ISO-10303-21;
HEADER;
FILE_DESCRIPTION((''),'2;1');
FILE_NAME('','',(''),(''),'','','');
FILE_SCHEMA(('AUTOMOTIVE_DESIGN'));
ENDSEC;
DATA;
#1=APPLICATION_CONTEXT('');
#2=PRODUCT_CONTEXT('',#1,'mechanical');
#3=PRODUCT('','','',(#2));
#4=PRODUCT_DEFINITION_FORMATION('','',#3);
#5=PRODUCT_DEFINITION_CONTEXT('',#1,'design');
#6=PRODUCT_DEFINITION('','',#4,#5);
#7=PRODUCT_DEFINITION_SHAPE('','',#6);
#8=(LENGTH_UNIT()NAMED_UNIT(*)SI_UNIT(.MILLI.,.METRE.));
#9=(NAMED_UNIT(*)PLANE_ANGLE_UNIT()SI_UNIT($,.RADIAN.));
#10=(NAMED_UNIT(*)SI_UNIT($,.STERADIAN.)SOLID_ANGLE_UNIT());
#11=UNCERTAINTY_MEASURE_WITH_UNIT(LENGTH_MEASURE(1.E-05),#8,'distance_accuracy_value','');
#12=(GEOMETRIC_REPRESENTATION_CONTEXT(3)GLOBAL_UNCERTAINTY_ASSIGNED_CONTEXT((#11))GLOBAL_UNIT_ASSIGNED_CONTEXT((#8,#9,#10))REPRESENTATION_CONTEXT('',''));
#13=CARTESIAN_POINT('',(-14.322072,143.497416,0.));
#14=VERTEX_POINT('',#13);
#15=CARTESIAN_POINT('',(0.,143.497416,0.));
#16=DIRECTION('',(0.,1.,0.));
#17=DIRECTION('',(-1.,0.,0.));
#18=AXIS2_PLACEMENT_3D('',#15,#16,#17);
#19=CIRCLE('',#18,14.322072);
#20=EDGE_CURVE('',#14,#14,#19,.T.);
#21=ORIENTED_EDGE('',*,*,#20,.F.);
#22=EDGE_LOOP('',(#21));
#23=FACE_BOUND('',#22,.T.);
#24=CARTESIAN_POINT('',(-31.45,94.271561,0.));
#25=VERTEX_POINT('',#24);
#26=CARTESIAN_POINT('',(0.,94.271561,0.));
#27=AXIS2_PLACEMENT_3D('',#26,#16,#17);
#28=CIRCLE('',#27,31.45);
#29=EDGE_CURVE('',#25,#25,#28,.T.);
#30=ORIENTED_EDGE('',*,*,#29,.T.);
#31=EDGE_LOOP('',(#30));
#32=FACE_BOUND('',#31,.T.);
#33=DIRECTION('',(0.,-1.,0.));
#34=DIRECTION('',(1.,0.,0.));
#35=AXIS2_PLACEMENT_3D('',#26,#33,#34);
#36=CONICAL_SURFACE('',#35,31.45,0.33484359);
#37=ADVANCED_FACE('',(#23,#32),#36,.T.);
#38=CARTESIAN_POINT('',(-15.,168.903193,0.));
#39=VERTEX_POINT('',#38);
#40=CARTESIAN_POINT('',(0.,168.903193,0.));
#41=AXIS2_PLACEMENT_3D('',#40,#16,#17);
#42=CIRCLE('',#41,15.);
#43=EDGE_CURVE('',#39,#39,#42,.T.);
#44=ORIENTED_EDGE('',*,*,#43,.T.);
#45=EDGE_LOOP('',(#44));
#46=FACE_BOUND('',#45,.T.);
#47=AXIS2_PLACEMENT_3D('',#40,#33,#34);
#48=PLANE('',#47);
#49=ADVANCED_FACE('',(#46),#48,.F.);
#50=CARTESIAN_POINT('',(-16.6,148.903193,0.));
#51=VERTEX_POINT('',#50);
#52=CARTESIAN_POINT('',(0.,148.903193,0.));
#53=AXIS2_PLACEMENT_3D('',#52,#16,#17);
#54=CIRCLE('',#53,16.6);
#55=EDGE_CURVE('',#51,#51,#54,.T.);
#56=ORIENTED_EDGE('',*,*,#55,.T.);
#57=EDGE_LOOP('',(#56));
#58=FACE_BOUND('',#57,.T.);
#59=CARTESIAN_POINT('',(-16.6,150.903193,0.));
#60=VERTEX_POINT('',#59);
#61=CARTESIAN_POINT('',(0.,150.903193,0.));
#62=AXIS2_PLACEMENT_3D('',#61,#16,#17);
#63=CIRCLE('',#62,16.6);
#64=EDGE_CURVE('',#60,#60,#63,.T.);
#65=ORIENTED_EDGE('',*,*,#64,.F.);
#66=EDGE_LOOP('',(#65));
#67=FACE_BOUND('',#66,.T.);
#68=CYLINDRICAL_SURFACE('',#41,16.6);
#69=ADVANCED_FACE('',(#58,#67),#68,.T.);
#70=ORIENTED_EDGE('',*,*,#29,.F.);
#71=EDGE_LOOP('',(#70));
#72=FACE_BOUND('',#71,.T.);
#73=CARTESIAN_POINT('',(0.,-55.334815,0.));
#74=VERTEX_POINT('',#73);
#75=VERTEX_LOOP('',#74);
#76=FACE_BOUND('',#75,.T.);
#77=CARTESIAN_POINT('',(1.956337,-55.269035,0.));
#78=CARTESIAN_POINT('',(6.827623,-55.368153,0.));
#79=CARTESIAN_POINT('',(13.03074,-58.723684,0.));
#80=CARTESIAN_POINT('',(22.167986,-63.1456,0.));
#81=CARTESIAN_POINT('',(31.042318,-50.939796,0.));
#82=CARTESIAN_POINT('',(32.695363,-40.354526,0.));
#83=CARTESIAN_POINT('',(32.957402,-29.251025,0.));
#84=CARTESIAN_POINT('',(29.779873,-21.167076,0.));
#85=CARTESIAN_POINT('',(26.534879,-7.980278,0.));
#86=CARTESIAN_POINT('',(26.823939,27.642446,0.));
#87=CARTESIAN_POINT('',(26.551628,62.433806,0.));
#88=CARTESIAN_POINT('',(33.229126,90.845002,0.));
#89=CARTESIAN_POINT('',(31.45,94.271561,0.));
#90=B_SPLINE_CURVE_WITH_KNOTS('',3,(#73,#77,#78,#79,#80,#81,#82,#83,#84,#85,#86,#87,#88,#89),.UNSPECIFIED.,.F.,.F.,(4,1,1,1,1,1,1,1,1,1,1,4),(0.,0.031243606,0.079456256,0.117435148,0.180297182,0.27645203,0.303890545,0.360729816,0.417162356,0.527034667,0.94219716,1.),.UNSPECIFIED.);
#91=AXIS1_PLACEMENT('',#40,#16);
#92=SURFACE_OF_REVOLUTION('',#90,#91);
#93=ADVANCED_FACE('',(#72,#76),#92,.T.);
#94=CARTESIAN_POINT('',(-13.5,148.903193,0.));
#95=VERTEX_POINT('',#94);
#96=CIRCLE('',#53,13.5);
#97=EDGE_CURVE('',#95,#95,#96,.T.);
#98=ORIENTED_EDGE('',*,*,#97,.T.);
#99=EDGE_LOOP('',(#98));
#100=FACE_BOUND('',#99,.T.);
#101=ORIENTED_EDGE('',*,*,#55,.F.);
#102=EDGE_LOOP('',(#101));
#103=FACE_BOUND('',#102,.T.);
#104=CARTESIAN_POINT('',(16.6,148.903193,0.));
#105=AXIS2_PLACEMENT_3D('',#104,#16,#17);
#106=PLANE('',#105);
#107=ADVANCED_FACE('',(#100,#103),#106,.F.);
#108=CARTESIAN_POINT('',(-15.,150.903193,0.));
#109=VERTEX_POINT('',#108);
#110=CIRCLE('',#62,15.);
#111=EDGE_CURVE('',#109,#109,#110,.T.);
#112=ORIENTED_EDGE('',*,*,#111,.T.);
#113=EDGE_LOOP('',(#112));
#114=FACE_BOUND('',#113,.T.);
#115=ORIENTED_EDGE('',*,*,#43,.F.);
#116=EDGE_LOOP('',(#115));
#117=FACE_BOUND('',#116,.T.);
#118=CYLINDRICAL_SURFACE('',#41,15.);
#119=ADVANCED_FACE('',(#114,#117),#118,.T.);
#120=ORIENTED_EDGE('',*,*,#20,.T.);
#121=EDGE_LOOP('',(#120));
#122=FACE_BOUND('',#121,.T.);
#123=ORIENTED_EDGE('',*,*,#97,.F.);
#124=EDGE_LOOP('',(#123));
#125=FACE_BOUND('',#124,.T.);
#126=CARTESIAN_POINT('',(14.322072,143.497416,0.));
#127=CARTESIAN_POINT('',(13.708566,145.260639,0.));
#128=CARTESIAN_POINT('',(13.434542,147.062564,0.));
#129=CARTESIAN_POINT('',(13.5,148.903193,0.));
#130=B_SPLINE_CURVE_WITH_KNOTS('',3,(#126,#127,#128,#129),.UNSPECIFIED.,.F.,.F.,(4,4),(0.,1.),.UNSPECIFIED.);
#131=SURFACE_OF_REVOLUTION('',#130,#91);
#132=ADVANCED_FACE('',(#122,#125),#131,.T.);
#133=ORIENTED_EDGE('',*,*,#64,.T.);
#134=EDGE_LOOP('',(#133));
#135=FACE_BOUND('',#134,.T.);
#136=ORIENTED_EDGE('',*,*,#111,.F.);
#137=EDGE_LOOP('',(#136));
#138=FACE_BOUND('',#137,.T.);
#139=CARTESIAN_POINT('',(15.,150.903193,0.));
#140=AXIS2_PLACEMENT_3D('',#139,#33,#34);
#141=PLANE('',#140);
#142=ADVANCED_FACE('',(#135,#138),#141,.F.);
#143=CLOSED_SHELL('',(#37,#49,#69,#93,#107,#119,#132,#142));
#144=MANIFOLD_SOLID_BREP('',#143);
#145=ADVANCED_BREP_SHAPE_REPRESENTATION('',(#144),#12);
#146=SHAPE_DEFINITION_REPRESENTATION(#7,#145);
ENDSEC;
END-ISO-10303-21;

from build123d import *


with BuildPart() as part:
    # Sketch2 → Revolve2 (revolve)
    with BuildSketch(Plane.XY, mode=Mode.PRIVATE) as revolve2_sk:
        with BuildLine():
            Line((0, 168.903192951), (15, 168.903192951))
            Line((15, 168.903192951), (15, 150.903192951))
            Line((15, 150.903192951), (16.6, 150.903192951))
            Line((16.6, 150.903192951), (16.6, 148.903192951))
            Line((16.6, 148.903192951), (13.5, 148.903192951))
            add(Edge.make_bspline(
                [(13.5, 148.903192951), (13.434542306, 147.062564488), (13.708566417, 145.26063883), (14.322072332, 143.497415977)],
                knots=[0, 0, 0, 0, 1, 1, 1, 1], degree=3))
            Line((14.322072332, 143.497415977), (31.45, 94.271560556))
            add(Edge.make_bspline(
                [(31.45, 94.271560556), (33.229126476, 90.845001817), (26.551628462, 62.433806412), (26.823939199, 27.642446291), (26.534878828, -7.980277801), (29.779872762, -21.167076085), (32.957402386, -29.251025192), (32.695362988, -40.354526378), (31.042317735, -50.939796111), (22.16798563, -63.145599506), (13.030739968, -58.723683942), (6.82762256, -55.368152541), (1.956337431, -55.2690346), (0, -55.33481547)],
                knots=[0, 0, 0, 0, 0.05780284, 0.472965333, 0.582837644, 0.639270184, 0.696109455, 0.72354797, 0.819702818, 0.882564852, 0.920543744, 0.968756394, 1, 1, 1, 1], degree=3))
            Line((0, -55.33481547), (0, 168.903192951))
        make_face()
    revolve(revolve2_sk.sketch.rotate(Axis((0, 168.903192951, 0), (0, -1, 0)), 180), axis=Axis((0, 168.903192951, 0), (0, -1, 0)))


solid = part.part
